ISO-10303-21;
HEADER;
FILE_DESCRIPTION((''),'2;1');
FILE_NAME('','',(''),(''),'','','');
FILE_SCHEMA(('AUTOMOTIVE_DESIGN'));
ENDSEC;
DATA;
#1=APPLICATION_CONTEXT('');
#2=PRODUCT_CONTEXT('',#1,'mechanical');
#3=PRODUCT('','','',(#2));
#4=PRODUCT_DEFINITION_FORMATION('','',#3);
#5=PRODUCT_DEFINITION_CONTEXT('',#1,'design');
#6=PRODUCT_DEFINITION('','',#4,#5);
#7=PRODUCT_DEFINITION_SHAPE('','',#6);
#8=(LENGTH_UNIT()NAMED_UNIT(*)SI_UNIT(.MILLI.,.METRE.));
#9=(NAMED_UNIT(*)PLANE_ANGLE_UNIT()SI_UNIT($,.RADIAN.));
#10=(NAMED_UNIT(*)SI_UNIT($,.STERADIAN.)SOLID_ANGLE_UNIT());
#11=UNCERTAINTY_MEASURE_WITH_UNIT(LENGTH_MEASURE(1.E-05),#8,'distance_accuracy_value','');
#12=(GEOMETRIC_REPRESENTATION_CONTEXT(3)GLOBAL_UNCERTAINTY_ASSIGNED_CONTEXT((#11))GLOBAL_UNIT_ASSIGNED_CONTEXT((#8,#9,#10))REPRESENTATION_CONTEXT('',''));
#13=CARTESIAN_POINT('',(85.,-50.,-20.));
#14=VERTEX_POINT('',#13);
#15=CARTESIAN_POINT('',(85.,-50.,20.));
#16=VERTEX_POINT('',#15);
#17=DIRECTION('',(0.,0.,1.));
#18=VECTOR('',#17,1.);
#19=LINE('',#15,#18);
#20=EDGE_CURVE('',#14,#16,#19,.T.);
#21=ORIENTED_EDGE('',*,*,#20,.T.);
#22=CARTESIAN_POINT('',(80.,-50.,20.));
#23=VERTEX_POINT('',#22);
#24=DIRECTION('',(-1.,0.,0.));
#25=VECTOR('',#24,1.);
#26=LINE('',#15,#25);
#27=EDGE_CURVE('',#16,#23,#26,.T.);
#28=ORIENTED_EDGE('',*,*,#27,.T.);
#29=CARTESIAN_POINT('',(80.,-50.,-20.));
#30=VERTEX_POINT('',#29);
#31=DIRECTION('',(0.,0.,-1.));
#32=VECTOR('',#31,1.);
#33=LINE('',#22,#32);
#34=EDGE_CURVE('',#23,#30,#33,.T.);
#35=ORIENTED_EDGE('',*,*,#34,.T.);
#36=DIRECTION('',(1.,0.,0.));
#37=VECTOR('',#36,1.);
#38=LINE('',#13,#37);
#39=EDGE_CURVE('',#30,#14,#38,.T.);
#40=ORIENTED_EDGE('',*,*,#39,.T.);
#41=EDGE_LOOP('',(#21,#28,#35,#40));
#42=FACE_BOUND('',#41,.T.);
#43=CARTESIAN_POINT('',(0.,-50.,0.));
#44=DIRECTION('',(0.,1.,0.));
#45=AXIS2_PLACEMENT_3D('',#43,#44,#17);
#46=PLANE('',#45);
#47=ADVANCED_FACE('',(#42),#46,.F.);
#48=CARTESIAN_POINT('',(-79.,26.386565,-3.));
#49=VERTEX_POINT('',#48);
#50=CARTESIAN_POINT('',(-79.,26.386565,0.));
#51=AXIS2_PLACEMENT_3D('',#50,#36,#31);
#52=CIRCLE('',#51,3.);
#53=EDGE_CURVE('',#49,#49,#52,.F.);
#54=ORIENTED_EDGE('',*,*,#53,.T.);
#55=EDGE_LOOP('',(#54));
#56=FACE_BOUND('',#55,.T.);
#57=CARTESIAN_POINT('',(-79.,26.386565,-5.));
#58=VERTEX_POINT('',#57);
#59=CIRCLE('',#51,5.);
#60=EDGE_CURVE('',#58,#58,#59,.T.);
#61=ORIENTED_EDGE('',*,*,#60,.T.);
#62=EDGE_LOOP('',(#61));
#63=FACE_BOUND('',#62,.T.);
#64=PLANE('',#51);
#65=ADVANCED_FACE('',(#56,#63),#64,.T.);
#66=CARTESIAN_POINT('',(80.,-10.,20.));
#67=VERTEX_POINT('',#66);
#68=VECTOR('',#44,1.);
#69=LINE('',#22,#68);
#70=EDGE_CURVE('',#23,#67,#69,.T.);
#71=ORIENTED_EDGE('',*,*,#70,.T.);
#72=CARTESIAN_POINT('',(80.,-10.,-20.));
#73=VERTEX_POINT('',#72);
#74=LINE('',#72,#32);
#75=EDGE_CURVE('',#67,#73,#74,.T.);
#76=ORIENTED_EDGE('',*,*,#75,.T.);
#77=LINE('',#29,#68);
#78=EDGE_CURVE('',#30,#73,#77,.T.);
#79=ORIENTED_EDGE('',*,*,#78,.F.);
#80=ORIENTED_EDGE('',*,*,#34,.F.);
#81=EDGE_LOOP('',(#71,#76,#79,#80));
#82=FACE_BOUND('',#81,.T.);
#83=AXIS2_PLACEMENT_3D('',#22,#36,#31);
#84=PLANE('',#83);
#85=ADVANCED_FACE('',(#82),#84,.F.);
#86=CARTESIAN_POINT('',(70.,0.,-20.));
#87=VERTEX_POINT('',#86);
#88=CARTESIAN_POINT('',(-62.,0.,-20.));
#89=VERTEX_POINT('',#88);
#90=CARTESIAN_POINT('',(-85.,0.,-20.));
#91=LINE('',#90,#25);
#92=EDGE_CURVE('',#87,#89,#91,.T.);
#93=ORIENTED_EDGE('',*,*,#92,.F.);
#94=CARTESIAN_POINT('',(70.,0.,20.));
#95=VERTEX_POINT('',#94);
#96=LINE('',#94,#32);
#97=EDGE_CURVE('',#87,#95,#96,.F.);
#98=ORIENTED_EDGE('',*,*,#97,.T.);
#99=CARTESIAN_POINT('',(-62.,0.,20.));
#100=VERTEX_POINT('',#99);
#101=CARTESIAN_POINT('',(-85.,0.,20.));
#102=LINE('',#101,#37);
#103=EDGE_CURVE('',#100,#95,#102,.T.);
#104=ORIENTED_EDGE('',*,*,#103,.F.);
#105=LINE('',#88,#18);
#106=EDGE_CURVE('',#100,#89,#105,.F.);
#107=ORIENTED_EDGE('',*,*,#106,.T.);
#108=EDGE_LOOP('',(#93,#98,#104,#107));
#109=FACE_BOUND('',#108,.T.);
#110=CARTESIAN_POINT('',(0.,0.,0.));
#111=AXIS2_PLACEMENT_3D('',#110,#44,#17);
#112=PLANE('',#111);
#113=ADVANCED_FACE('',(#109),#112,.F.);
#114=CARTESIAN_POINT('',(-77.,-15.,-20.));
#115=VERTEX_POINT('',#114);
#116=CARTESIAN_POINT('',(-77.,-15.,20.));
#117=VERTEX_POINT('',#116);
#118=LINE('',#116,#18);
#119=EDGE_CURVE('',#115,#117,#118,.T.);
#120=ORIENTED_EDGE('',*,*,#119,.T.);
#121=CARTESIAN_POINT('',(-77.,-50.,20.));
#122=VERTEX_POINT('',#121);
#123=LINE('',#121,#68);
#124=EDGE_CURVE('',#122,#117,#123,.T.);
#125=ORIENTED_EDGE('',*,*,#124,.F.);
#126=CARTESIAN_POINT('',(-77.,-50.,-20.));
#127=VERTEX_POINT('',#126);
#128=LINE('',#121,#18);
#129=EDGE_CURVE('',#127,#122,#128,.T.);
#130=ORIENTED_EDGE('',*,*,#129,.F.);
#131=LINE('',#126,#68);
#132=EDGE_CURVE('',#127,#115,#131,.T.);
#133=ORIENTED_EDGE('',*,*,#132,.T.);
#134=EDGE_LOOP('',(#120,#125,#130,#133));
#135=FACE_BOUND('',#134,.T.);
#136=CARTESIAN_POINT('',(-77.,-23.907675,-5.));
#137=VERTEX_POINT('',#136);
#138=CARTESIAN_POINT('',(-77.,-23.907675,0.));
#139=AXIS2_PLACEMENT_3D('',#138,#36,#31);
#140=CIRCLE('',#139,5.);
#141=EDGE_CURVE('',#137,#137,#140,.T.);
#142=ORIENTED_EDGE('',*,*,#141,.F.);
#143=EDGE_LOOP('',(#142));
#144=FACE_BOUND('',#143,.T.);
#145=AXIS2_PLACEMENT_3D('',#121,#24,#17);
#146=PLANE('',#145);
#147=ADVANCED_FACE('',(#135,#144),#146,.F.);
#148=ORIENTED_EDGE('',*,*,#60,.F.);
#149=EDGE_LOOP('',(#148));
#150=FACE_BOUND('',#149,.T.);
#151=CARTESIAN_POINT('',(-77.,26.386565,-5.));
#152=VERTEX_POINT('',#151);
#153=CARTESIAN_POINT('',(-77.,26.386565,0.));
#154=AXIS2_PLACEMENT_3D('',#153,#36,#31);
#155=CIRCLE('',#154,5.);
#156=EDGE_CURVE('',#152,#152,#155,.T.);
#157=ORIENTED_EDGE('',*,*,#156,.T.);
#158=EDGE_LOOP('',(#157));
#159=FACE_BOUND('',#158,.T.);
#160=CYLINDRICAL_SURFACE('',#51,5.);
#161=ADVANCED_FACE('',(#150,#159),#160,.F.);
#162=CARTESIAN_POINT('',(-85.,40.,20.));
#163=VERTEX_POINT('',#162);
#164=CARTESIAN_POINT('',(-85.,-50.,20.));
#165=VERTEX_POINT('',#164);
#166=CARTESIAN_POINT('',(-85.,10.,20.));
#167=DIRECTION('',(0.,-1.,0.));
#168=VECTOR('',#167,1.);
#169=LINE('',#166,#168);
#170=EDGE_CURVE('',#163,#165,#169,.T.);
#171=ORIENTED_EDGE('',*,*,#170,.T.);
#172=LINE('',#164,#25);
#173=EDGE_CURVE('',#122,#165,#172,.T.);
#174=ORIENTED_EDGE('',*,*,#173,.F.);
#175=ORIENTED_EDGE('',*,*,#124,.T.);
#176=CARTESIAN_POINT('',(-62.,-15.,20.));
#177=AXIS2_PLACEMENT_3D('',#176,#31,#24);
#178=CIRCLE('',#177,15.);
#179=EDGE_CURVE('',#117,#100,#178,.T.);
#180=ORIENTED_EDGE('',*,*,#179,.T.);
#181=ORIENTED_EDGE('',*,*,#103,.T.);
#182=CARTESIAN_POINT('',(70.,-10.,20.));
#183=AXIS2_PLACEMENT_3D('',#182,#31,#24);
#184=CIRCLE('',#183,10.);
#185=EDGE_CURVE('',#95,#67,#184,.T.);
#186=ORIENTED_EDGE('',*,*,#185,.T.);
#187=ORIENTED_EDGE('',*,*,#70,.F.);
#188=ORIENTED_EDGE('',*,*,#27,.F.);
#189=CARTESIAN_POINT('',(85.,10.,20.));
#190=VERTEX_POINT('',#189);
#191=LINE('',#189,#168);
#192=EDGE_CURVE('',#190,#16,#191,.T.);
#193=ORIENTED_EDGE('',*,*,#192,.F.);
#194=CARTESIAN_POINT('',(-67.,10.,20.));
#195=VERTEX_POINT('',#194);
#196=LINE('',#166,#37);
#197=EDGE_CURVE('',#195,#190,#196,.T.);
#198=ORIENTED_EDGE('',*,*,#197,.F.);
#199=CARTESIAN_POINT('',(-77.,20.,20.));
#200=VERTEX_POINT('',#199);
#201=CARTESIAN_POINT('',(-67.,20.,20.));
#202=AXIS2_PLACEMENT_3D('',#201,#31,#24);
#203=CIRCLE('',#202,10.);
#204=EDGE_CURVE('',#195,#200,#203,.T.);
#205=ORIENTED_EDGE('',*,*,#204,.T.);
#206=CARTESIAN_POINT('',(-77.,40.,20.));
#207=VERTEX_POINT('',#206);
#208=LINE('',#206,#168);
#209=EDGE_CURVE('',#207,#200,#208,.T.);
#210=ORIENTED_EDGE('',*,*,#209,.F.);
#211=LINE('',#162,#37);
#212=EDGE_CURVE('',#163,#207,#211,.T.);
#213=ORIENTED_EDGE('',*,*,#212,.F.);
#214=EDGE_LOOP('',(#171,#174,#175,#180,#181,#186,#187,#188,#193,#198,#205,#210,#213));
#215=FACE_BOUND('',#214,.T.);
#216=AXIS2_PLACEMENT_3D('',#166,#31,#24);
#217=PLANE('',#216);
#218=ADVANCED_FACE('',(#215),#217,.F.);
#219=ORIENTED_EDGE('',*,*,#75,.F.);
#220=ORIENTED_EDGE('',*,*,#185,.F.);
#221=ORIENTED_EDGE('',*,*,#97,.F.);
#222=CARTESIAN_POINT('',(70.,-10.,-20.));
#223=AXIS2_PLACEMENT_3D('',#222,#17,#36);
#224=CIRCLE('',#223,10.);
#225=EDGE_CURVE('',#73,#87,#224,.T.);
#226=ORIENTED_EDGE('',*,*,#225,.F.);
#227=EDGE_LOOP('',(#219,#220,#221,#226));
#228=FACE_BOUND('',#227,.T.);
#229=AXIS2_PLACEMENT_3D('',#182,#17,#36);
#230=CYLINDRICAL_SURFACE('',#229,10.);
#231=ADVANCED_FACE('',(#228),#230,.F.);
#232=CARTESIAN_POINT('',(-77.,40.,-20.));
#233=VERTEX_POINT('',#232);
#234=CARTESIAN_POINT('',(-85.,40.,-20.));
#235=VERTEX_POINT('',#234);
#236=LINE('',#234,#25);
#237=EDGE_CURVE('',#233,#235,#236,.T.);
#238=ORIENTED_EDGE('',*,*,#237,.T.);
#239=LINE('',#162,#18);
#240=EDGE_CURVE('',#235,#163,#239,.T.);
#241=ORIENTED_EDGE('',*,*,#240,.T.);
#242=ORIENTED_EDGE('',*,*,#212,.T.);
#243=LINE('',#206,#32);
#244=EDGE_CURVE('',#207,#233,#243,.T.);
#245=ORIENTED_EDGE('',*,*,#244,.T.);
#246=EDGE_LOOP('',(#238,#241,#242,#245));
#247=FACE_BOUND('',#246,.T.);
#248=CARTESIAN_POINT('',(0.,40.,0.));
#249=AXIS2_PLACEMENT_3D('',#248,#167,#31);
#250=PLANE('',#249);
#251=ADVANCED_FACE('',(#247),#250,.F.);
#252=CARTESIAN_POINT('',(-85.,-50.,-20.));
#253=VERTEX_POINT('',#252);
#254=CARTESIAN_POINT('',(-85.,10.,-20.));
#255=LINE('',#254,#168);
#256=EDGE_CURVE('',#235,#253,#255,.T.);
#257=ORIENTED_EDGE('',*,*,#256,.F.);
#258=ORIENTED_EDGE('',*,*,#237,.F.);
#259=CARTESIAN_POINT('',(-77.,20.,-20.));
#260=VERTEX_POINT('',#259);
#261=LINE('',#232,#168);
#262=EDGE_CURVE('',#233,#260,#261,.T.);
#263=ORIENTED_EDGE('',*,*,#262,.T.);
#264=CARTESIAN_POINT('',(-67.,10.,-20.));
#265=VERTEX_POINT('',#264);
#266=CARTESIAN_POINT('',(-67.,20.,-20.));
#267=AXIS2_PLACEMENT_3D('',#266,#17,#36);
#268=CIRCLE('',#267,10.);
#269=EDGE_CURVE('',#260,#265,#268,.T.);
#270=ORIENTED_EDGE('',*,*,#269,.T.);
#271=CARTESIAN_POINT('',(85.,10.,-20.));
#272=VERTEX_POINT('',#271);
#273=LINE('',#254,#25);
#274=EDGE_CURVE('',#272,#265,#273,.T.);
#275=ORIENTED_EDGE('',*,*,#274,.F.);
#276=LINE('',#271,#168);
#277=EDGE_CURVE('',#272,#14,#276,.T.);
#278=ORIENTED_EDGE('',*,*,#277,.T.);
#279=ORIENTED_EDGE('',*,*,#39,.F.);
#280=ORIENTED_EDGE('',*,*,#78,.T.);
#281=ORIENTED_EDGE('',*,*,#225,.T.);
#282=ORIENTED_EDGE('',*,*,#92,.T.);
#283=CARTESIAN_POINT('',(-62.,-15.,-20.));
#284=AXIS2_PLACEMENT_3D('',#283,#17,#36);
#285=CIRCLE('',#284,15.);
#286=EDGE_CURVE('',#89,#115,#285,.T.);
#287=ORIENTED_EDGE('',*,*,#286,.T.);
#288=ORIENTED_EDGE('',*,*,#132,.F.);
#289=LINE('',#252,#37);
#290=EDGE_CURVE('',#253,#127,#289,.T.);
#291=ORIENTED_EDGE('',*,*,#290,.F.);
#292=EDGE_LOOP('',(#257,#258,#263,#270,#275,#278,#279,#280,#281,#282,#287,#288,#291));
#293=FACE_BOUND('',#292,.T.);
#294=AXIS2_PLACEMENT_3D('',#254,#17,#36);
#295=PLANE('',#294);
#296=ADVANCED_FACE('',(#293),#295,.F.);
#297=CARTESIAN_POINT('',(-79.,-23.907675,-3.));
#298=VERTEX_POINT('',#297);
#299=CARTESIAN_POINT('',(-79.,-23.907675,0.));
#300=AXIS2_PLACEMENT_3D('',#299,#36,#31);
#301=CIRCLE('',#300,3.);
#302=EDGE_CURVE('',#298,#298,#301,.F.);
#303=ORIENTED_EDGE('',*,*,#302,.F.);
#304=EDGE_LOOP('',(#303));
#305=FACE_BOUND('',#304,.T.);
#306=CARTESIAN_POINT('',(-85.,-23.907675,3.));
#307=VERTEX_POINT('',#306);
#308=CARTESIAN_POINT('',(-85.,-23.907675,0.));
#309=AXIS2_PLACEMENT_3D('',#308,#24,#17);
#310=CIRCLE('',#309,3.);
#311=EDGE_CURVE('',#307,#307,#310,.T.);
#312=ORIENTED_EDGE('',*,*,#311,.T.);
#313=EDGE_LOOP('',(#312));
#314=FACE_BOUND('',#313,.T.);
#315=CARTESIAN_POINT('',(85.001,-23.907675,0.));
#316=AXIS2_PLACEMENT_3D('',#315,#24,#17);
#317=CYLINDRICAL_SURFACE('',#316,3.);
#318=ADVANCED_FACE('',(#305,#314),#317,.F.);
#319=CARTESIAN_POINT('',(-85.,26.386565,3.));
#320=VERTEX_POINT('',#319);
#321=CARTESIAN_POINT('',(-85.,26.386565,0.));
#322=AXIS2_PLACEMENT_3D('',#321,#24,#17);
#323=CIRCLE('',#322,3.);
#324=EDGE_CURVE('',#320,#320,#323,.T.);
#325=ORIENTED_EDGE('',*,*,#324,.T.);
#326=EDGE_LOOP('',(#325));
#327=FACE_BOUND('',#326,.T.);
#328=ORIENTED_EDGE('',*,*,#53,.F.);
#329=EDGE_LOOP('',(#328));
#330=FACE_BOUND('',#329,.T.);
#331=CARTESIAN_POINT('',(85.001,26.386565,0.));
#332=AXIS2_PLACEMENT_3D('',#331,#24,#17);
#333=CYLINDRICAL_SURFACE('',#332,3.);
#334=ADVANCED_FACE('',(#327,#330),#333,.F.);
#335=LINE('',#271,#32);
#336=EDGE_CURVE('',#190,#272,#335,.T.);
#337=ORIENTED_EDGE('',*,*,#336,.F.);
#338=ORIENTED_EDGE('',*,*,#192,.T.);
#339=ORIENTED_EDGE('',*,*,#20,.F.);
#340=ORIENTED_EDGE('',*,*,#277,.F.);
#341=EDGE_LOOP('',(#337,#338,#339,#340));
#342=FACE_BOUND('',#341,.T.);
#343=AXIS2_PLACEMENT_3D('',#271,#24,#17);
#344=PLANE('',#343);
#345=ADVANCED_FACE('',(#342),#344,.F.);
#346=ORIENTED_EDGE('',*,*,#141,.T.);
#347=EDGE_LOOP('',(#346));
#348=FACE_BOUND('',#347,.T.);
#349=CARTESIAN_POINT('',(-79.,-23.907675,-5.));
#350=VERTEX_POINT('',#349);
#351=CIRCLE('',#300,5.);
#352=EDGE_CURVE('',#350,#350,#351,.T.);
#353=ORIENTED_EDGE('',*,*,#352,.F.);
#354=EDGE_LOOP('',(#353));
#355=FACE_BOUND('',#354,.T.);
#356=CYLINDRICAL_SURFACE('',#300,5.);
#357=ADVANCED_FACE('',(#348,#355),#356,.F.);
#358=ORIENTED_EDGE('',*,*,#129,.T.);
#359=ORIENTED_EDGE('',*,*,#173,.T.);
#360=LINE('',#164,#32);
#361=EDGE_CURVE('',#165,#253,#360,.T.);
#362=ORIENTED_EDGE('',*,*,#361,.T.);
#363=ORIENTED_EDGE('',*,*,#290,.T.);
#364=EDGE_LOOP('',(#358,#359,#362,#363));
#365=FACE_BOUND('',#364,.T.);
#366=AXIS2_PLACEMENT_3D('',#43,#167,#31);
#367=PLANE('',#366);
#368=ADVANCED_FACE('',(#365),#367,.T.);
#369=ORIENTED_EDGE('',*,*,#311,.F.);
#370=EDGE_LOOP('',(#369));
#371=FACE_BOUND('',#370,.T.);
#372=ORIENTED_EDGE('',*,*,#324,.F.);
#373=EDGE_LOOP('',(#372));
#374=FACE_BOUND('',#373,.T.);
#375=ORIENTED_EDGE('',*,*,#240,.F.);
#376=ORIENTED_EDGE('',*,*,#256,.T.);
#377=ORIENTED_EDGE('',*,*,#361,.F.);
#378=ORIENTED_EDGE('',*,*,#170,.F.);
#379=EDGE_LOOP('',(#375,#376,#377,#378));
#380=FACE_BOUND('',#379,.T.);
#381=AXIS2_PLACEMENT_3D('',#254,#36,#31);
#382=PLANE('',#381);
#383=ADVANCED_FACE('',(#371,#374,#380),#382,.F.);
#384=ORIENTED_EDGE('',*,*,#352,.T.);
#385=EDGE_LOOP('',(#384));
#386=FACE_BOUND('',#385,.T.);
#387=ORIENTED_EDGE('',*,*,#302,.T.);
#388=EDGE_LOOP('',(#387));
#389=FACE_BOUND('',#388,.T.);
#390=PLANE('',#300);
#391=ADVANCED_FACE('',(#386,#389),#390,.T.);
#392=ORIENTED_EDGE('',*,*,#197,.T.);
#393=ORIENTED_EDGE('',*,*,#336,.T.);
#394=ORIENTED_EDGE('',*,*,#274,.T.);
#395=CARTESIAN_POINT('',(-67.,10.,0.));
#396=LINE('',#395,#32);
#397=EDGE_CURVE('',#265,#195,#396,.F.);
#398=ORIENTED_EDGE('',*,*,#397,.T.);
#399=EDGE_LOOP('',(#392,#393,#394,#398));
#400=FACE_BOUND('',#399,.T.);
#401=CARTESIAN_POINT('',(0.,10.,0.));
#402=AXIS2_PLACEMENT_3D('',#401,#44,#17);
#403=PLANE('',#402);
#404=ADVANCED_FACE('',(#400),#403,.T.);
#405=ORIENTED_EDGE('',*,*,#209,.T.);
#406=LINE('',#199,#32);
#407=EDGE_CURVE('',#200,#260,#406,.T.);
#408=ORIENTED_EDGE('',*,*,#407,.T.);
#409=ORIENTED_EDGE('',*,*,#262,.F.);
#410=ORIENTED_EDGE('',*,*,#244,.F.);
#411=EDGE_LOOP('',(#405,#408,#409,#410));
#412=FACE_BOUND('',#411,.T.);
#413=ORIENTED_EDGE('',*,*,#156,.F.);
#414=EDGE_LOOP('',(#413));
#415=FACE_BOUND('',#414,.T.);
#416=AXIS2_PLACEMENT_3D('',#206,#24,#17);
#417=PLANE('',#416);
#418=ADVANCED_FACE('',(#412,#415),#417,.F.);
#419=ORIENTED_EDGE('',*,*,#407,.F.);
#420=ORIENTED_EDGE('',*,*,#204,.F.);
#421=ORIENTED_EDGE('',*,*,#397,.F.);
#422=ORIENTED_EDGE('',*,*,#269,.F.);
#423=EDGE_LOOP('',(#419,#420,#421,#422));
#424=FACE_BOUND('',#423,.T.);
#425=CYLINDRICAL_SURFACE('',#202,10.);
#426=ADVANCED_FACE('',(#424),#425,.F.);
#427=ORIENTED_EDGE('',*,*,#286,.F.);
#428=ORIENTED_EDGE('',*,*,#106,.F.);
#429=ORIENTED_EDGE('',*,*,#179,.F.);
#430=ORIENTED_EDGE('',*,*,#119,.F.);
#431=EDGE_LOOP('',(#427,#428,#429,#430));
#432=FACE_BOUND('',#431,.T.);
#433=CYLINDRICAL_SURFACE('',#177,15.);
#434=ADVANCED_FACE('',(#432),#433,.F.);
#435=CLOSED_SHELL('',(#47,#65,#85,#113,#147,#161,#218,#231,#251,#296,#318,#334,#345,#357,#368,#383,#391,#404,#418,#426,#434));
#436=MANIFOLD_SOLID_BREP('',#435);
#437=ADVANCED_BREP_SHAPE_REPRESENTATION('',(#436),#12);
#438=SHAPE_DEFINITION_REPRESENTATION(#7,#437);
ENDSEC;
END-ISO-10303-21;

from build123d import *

# Parameters (mm, degrees)
ESQUISSE2_W             = 170
ESQUISSE2_H             = 40
BOSS_EXTRU_1_DEPTH      = 10
ESQUISSE3_W             = 8
ESQUISSE3_H             = 40
BOSS_EXTRU_2_DEPTH      = 50
ESQUISSE4_W             = 5
ESQUISSE4_H             = 40
BOSS_EXTRU_3_DEPTH      = 50
CONG_1_R                = 15
CONG_2_R                = 10
ESQUISSE7_W             = 8
ESQUISSE7_H             = 40
BOSS_EXTRU_4_DEPTH      = 30
CONG_3_R                = 10
ENL_V_MAT_EXTRU_3_REACH = 180.326
ESQUISSE8_R             = 3
ESQUISSE10_R            = 5
ENL_V_MAT_EXTRU_4_DEPTH = 2
ESQUISSE11_R            = 5
ENL_V_MAT_EXTRU_5_DEPTH = 2


with BuildPart() as part:
    # Esquisse2 → Boss.-Extru.1 (new body)
    with BuildSketch(Plane(origin=(0, 0, 0), x_dir=(1, 0, 0), z_dir=(0, 1, 0))):
        Rectangle(ESQUISSE2_W, ESQUISSE2_H)
    extrude(amount=BOSS_EXTRU_1_DEPTH)

    # Esquisse3 → Boss.-Extru.2 (add)
    with BuildSketch(Plane.XZ):
        with Locations((-81, 0)):
            Rectangle(ESQUISSE3_W, ESQUISSE3_H)
    extrude(amount=BOSS_EXTRU_2_DEPTH)

    # Esquisse4 → Boss.-Extru.3 (add)
    with BuildSketch(Plane.XZ):
        with Locations((82.5, 0)):
            Rectangle(ESQUISSE4_W, ESQUISSE4_H)
    extrude(amount=BOSS_EXTRU_3_DEPTH)

    # Congé1
    cong_1_edges = [part.edges().sort_by_distance(p)[0] for p in [
        (-77, 0, 0),
    ]]
    fillet(cong_1_edges, radius=CONG_1_R)

    # Congé2
    cong_2_edges = [part.edges().sort_by_distance(p)[0] for p in [
        (80, 0, 0),
    ]]
    fillet(cong_2_edges, radius=CONG_2_R)

    # Esquisse7 → Boss.-Extru.4 (add)
    with BuildSketch(Plane(origin=(0, 10, 0), x_dir=(1, 0, 0), z_dir=(0, 1, 0))):
        with Locations((-81, 0)):
            Rectangle(ESQUISSE7_W, ESQUISSE7_H)
    extrude(amount=BOSS_EXTRU_4_DEPTH)

    # Congé3
    cong_3_edges = [part.edges().sort_by_distance(p)[0] for p in [
        (-77, 10, 0),
    ]]
    fillet(cong_3_edges, radius=CONG_3_R)

    # Esquisse8 → Enlèv. mat.-Extru.3 (cut, up to next)
    with BuildSketch(Plane.ZY.offset(85), mode=Mode.PRIVATE) as enl_v_mat_extru_3_sk1:
        with Locations((0, 26.38656459)):
            Circle(ESQUISSE8_R)
    enl_v_mat_extru_3_tool1 = extrude(enl_v_mat_extru_3_sk1.sketch, amount=-ENL_V_MAT_EXTRU_3_REACH, mode=Mode.PRIVATE) & part.part
    # Esquisse8 → Enlèv. mat.-Extru.3 (cut, up to next)
    with BuildSketch(Plane.ZY.offset(85), mode=Mode.PRIVATE) as enl_v_mat_extru_3_sk2:
        with Locations((0, -23.907675409)):
            Circle(ESQUISSE8_R)
    enl_v_mat_extru_3_tool2 = extrude(enl_v_mat_extru_3_sk2.sketch, amount=-ENL_V_MAT_EXTRU_3_REACH, mode=Mode.PRIVATE) & part.part
    add(enl_v_mat_extru_3_tool1.solids().sort_by_distance((-85, 26.386565, 0))[0], mode=Mode.SUBTRACT)
    add(enl_v_mat_extru_3_tool2.solids().sort_by_distance((-85, -23.907675, 0))[0], mode=Mode.SUBTRACT)

    # Esquisse10 → Enlèv. mat.-Extru.4 (cut)
    with BuildSketch(Plane(origin=(-77, 0, 0), x_dir=(0, 0, -1), z_dir=(1, 0, 0))):
        with Locations((0, -23.907675409)):
            Circle(ESQUISSE10_R)
    extrude(amount=-ENL_V_MAT_EXTRU_4_DEPTH, mode=Mode.SUBTRACT)

    # Esquisse11 → Enlèv. mat.-Extru.5 (cut)
    with BuildSketch(Plane(origin=(-77, 0, 0), x_dir=(0, 0, -1), z_dir=(1, 0, 0))):
        with Locations((0, 26.38656459)):
            Circle(ESQUISSE11_R)
    extrude(amount=-ENL_V_MAT_EXTRU_5_DEPTH, mode=Mode.SUBTRACT)


solid = part.part
